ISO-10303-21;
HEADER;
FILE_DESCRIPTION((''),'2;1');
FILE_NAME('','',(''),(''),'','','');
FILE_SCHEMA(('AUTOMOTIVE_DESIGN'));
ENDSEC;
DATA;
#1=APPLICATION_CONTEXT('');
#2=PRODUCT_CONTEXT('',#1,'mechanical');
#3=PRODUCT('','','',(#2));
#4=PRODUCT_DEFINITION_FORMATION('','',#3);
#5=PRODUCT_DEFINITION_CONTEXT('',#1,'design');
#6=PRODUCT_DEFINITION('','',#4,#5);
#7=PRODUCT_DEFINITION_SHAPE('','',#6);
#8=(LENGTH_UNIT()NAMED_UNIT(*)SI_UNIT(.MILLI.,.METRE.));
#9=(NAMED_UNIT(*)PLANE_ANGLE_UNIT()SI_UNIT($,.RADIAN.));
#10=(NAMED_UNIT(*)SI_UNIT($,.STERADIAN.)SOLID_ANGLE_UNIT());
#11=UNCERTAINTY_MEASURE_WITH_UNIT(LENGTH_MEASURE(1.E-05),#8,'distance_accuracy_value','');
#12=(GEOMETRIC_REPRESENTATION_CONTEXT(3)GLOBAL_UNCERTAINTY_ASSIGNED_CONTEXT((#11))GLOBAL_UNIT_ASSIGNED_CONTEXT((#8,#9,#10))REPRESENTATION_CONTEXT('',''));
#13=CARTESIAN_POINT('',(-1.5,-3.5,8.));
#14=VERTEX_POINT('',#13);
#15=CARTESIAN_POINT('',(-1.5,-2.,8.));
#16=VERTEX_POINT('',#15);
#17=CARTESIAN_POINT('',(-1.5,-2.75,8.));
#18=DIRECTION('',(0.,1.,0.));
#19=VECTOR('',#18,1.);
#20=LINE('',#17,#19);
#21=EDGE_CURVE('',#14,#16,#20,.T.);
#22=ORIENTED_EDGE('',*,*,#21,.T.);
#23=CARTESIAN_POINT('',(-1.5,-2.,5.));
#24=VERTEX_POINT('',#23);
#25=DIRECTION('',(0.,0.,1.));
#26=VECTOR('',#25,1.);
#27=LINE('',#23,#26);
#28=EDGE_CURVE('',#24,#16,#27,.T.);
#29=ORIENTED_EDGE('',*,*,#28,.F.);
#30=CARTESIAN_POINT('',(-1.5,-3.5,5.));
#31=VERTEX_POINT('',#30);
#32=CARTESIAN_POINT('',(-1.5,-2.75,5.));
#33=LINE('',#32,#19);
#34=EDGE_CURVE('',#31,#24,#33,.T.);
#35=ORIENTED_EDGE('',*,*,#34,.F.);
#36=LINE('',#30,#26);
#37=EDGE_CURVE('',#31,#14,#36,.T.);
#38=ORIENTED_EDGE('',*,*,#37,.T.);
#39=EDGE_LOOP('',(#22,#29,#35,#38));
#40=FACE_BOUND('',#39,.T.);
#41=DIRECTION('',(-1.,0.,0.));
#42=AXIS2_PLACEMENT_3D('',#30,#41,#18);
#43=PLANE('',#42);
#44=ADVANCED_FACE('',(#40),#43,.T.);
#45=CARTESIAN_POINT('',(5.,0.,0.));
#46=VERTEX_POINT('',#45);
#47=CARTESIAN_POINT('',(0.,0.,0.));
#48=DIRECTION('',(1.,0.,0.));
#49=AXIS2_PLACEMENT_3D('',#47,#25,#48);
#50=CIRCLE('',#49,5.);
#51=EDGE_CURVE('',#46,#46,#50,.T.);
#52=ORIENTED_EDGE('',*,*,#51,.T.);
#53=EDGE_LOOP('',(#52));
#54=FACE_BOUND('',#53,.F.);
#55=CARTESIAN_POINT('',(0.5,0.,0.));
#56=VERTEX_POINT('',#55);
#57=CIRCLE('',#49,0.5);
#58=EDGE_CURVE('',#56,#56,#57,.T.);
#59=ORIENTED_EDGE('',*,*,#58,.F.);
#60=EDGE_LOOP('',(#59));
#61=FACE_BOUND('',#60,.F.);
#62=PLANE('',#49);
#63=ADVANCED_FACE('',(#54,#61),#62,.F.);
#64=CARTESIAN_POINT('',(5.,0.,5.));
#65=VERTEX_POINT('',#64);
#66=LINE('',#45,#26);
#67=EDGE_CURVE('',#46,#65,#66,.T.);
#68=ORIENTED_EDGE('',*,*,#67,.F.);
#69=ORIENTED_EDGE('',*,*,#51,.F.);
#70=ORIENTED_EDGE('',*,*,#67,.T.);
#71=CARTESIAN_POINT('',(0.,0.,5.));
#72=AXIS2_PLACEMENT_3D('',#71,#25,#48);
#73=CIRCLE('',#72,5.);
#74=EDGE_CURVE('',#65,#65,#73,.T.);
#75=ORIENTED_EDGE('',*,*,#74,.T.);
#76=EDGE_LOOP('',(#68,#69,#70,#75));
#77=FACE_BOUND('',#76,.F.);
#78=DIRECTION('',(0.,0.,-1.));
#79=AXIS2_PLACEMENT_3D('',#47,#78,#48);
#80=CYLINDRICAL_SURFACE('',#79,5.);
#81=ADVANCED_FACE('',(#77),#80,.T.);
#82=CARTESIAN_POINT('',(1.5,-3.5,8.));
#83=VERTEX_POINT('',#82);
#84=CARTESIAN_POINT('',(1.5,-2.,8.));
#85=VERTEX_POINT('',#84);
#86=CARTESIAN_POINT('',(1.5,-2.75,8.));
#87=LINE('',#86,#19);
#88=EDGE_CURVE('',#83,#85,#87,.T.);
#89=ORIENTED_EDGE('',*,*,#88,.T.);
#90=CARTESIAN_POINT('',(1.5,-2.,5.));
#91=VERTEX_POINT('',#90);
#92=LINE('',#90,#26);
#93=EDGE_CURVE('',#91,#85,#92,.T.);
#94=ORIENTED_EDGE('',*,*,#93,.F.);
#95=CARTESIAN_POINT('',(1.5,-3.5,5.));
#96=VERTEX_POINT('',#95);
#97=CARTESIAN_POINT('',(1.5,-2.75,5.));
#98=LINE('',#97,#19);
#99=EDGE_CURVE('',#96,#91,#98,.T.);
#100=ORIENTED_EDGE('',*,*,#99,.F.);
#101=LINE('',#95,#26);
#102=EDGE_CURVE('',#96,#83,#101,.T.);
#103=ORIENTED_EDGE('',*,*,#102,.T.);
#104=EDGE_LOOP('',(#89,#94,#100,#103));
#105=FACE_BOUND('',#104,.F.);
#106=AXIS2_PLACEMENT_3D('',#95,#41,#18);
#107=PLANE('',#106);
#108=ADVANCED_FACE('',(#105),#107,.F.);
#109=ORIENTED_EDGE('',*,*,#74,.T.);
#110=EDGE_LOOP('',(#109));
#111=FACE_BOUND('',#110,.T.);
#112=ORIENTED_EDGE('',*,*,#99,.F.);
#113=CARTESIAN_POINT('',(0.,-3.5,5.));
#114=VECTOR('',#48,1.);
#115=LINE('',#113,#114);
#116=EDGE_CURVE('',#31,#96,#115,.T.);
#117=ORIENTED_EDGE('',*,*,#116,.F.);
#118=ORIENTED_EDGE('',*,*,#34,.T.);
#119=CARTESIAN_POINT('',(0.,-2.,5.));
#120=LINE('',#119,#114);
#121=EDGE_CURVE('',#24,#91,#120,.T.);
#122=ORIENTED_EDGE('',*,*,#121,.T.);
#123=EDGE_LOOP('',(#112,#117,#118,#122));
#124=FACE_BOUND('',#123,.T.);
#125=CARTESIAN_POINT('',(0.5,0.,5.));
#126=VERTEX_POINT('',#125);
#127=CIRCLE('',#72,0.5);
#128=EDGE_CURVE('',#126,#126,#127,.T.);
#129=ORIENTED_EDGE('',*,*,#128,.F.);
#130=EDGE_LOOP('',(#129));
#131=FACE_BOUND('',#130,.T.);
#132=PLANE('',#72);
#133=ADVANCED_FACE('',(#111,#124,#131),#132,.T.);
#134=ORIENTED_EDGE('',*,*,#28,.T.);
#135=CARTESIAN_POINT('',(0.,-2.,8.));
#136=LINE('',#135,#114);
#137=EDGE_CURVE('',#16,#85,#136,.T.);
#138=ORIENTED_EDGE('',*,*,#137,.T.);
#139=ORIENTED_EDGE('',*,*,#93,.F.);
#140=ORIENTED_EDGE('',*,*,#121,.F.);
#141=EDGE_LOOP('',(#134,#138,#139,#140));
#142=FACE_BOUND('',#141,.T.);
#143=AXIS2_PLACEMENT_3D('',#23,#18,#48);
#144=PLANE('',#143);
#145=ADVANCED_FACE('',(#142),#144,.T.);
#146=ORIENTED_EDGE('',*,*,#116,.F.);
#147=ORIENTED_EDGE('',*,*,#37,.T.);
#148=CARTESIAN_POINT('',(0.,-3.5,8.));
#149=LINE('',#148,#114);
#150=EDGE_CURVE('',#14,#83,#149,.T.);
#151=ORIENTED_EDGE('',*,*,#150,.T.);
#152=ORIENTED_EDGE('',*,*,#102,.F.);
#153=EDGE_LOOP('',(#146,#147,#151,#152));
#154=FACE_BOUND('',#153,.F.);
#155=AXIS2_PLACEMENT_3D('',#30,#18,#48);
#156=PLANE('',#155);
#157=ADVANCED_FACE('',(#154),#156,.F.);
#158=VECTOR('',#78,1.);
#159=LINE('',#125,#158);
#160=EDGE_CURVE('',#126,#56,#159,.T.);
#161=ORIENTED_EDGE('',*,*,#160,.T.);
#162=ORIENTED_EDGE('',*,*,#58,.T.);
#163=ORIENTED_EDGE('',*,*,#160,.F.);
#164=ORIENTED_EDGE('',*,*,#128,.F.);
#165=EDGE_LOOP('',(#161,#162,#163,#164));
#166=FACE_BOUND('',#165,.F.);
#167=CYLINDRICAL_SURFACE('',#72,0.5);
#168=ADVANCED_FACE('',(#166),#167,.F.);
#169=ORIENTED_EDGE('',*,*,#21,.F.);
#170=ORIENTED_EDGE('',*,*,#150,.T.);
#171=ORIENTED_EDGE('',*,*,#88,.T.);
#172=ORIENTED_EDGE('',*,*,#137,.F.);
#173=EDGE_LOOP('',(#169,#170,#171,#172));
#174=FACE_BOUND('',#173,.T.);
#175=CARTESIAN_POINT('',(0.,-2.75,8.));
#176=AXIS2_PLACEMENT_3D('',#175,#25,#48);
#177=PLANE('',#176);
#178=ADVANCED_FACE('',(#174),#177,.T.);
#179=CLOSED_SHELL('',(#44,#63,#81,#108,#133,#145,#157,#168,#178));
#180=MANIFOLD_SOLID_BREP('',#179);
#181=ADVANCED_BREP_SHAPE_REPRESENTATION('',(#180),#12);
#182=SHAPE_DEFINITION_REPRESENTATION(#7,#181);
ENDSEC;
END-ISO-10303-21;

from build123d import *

# Parameters (mm, degrees)
F0_R     = 5
F1_DEPTH = 5
F2_W     = 3
F2_H     = 1.5
F3_DEPTH = 3
F4_R     = 0.5
F5_DEPTH = 25


with BuildPart() as f1:
    # F0 (on Top) → F1 (new body)
    with BuildSketch(Plane.XY):
        Circle(F0_R)
    extrude(amount=F1_DEPTH)

    # F2 (on face) → F3 (join)
    with BuildSketch(Plane.XY.offset(5)):
        with Locations((0, -2.75)):
            Rectangle(F2_W, F2_H)
    extrude(amount=F3_DEPTH)

    # F4 (on face) → F5 (cut)
    with BuildSketch(Plane.XY.offset(5)):
        Circle(F4_R)
    extrude(amount=-F5_DEPTH, mode=Mode.SUBTRACT)


solid = f1.part
